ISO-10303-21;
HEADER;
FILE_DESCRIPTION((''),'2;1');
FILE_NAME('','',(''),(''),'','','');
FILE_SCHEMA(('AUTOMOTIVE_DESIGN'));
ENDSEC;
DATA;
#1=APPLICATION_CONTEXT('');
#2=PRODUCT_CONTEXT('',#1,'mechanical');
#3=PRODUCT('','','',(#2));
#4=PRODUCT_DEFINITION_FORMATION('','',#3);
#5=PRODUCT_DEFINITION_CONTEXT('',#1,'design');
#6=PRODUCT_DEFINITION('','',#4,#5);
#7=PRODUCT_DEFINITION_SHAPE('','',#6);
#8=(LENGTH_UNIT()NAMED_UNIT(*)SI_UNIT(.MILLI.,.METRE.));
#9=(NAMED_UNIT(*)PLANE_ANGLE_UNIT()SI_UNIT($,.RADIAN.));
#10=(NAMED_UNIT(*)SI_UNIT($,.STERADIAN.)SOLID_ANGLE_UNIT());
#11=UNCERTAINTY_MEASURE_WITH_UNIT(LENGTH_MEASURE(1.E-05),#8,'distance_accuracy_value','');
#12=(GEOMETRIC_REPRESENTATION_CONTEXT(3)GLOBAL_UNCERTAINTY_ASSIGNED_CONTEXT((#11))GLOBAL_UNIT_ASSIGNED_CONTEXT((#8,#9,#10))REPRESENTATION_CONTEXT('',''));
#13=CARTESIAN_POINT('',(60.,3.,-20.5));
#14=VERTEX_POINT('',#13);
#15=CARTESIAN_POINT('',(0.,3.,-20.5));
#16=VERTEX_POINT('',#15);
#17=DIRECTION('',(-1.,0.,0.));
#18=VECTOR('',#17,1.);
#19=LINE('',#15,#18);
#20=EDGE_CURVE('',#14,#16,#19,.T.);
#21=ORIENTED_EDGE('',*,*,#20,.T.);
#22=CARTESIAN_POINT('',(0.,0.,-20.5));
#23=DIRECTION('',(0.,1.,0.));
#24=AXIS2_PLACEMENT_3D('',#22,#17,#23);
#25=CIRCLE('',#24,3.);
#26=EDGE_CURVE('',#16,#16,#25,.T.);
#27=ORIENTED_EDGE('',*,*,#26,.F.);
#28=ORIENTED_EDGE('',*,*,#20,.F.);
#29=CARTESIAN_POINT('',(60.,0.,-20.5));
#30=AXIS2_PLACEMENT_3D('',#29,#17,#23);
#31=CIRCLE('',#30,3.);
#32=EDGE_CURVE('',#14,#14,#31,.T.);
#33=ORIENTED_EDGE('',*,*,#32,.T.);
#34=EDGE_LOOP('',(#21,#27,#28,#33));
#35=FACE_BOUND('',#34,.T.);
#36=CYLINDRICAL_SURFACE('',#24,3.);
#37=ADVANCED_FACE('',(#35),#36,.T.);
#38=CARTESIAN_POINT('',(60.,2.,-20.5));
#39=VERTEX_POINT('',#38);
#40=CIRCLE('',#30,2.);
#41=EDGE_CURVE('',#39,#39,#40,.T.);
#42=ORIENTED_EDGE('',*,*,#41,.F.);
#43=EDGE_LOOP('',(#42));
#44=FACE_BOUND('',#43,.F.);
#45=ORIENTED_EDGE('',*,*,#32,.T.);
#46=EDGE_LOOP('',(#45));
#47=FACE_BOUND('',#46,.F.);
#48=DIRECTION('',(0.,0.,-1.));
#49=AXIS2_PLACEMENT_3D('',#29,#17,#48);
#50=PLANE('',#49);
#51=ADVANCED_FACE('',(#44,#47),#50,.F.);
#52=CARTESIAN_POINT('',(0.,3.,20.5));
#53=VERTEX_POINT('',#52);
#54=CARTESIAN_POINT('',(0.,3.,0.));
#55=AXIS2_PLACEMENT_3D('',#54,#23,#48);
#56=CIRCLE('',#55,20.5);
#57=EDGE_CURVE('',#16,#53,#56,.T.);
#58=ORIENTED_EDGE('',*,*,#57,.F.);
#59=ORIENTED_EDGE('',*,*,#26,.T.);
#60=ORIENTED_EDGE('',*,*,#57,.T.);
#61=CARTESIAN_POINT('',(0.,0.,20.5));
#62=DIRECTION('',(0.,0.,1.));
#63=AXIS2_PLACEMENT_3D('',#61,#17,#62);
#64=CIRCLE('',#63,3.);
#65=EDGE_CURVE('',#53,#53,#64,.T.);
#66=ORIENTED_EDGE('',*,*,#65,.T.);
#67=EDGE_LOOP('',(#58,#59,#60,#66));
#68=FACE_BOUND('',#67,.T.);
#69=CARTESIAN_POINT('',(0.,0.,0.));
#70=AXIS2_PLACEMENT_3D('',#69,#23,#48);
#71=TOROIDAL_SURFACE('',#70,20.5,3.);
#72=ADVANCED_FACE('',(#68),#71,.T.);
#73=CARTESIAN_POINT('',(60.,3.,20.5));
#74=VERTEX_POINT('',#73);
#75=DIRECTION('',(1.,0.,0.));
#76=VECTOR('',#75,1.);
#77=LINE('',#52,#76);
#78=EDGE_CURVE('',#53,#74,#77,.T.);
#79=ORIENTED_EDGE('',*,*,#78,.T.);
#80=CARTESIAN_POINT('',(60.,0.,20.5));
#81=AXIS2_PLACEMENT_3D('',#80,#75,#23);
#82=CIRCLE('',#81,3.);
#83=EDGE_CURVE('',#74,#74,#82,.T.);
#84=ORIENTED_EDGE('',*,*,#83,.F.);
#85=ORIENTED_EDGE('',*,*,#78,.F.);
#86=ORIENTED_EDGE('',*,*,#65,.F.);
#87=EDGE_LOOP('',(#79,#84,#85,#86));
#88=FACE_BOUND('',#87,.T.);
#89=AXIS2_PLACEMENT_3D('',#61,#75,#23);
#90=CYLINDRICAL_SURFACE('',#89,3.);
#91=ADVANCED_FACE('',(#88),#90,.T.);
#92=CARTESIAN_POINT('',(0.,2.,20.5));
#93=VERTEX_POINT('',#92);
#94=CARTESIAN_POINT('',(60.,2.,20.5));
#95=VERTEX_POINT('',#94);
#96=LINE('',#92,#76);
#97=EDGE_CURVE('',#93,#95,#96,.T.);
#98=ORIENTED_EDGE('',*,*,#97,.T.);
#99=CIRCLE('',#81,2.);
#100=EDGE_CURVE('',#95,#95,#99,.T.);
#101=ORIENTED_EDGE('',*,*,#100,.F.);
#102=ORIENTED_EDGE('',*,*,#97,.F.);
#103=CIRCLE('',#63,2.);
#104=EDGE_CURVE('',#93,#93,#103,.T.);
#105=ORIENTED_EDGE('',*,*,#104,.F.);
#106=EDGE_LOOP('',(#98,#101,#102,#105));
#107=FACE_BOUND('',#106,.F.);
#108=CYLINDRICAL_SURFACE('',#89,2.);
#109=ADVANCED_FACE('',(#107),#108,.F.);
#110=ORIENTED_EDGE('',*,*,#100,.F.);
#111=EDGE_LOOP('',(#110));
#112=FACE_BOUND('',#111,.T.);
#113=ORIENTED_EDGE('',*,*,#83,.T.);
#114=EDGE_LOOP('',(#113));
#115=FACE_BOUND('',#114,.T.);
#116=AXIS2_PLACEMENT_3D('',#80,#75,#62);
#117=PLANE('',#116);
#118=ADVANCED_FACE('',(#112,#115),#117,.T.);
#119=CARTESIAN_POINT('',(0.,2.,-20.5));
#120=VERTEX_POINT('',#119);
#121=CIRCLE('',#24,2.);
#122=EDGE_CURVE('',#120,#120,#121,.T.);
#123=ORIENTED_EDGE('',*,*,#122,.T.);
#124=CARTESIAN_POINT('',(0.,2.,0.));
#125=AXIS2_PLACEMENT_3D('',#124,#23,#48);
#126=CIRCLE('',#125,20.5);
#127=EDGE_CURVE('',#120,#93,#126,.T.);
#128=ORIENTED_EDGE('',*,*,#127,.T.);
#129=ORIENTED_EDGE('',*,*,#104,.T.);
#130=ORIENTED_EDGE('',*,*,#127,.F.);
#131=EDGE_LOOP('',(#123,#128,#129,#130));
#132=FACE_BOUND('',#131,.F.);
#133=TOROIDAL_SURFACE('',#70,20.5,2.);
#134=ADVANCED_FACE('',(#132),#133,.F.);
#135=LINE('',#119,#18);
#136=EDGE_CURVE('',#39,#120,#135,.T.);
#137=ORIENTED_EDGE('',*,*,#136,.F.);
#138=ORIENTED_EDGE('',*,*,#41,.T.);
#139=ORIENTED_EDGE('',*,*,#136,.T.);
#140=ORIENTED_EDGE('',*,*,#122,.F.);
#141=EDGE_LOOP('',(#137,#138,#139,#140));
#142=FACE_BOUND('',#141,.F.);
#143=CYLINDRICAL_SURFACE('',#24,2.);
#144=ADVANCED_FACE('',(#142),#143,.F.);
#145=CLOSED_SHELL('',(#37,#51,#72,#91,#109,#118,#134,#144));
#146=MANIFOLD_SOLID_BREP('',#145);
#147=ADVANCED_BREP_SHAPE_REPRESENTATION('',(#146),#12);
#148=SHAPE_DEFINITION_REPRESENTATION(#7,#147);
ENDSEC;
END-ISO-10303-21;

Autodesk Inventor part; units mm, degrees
ref_plane "XZ Plane" through (0, 0, 0) normal (0, 1, 0) x (-1, 0, 0)
ref_plane "XY Plane" through (0, 0, 0) normal (0, 0, 1) x (1, 0, 0)
sketch "Sketch1" plane through (0, 0, 0) normal (0, 1, 0) x (-1, 0, 0)
  arc A0 (0, -20.5) -> (0, 20.5) centre (0, 0) ccw
  line L0 (0, 20.5) -> (-60, 20.5)
  line L1 (0, -20.5) -> (-60, -20.5)
  dimension "d0" = 41
  dimension "d1" = 60
ref_plane "Work Plane1" through (60, 0, 20.5) normal (1, 0, 0) x (0, 1, 0)
sketch "Sketch2" plane through (60, 0, 20.5) normal (1, 0, 0) x (0, 1, 0)
  circle A0 centre (0, 0) radius 3
  circle A1 centre (0, 0) radius 2
  point P0 (0, -20.5)
  dimension "d2" = 6
  dimension "d3" = 4
sweep "Sweep1" add profiles "Sketch2" path "Sketch1"
properties part number "Manguera"
